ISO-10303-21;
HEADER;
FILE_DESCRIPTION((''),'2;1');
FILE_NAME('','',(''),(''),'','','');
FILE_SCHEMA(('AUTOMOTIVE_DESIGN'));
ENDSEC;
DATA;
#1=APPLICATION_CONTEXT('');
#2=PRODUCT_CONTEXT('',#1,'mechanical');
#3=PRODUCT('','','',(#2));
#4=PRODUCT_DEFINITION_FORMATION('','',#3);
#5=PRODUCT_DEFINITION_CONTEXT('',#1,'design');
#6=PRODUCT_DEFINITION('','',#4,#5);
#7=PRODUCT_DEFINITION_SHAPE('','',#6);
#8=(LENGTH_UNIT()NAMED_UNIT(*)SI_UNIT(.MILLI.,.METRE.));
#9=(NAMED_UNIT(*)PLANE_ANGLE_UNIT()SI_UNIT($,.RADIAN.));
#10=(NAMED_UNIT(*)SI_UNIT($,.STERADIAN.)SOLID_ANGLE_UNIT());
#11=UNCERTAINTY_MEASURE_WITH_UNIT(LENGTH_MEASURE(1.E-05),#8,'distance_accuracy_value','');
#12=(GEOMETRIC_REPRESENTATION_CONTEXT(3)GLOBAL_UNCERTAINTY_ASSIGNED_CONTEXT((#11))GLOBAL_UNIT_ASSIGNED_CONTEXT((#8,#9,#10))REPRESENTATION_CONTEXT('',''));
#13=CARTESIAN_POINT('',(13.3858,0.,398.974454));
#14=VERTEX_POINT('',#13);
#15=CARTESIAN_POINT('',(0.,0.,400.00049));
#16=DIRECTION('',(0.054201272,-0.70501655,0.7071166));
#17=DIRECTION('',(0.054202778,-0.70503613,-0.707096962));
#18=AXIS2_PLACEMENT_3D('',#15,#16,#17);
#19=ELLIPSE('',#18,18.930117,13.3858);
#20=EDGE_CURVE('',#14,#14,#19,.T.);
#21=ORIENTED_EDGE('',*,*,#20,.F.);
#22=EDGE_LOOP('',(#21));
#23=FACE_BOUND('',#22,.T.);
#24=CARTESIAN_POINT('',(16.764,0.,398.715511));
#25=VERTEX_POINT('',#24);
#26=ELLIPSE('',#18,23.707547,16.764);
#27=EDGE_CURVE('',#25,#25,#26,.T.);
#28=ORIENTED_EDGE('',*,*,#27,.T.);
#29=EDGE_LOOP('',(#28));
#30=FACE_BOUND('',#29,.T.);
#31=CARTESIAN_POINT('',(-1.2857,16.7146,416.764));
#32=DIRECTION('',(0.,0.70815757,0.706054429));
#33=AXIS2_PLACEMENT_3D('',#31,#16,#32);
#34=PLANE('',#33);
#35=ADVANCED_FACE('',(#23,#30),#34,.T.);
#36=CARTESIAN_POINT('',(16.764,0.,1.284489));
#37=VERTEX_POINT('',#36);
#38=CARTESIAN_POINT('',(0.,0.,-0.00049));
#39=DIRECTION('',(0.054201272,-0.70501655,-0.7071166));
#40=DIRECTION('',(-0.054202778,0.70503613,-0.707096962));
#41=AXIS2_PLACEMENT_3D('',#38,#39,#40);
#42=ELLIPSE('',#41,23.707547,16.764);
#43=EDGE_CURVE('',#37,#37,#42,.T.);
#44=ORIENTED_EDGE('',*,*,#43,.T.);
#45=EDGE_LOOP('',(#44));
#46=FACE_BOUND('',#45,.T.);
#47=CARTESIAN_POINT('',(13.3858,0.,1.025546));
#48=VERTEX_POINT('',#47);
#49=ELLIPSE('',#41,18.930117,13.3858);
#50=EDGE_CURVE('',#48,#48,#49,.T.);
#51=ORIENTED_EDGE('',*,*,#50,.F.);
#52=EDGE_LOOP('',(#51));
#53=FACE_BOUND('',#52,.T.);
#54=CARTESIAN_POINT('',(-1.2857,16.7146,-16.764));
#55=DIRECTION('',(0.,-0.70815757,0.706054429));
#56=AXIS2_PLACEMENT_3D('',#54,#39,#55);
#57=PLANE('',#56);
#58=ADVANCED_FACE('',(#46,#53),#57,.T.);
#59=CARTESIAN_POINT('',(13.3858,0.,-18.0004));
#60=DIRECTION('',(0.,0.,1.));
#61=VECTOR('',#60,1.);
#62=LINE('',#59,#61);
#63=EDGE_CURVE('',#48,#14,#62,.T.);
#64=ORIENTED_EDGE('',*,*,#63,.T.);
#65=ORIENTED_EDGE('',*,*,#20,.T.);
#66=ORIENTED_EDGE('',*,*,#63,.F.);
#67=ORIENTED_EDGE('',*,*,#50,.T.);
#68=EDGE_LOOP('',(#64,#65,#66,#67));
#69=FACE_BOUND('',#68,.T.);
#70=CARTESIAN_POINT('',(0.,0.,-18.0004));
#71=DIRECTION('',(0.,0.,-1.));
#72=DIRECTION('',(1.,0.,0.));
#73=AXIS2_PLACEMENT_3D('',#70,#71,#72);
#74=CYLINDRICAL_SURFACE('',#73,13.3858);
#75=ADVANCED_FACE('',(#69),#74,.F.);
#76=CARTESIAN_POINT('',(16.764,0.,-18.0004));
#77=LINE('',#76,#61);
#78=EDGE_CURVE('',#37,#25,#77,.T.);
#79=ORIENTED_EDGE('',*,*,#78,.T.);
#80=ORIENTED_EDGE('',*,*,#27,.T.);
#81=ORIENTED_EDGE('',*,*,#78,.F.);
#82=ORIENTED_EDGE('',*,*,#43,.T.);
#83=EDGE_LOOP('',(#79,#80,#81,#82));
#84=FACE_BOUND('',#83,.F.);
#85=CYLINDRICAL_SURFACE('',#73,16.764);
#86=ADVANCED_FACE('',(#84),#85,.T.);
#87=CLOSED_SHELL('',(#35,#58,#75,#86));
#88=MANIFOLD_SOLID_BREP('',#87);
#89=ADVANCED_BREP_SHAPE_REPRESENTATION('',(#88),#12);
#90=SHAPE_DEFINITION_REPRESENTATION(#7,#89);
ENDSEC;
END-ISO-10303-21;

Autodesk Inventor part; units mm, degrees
ref_plane "Start plane" through (0, 0, -18.0004) normal (0, 0, 1) x (1, 0, 0)
ref_plane "End plane" through (0, 0, 418.0004) normal (0, 0, 1) x (1, 0, 0)
sketch "Sketch" plane through (0, 0, 0) normal (0, 0, 1) x (1, 0, 0)
  circle A0 centre (0, 0) radius 13.3858
  circle A1 centre (0, 0) radius 16.764
  dimension "d0" = 33.528
  dimension "d1" = 3.3782
extrude "Body" add sketch "Sketch" along normal up to surface (436.0007 mm away) from surface at -18.0004
sketch "Sketch3" plane through (0, 0, 0) normal (0, 0, 1) x (1, 0, 0)
  line L0 (0, 0) -> (10, 0)
ref_plane "Work Plane3" through (0, 0, 0) normal (0, -1, 0) x (1, 0, 0)
ref_plane "Work Plane4" through (-1.2857, 16.7146, -16.764) normal (0.0542, -0.705, -0.7071) x (0.99, 0.1305, -0.0542)
split "Split1" plane through (-1.2857, 16.7146, -16.764) removes the side toward (0.0542, -0.705, -0.7071)
ref_plane "Work Plane5" through (-1.2857, 16.7146, 416.764) normal (0.0542, -0.705, 0.7071) x (0.9983, 0.0224, -0.0542)
split "Split2" plane through (-1.2857, 16.7146, 416.764) removes the side toward (0.0542, -0.705, 0.7071)
sketch "Sketch4" plane through (0, 0, 0) normal (0, -1, 0) x (1, 0, 0)
  line L0 (-2, -18.0004) -> (12, -18.0004) projected
  line L1 (-2, 418.0004) -> (12, 418.0004) projected
  dimension "d7" = 436.0007
equation "\"d0\" = G_H"
equation "\"d1\" = G_T"
equation "\"d2\" = G_L"
equation "\"G_H\" = 33.528"
equation "\"G_T\" = 3.3782"
equation "\"G_L\" = 433.528"
equation "\"G_OFFSET_START\" = 18.00036"
equation "\"G_OFFSET_END\" = 18.00036"
equation "\"d4\" = -G_OFFSET_START"
equation "\"d5\" = G_OFFSET_END + B_L"
equation "\"B_L\" = 400"
properties part number "ANSI - 1 x 0.133 - 17.068" material "Steel, Mild"
